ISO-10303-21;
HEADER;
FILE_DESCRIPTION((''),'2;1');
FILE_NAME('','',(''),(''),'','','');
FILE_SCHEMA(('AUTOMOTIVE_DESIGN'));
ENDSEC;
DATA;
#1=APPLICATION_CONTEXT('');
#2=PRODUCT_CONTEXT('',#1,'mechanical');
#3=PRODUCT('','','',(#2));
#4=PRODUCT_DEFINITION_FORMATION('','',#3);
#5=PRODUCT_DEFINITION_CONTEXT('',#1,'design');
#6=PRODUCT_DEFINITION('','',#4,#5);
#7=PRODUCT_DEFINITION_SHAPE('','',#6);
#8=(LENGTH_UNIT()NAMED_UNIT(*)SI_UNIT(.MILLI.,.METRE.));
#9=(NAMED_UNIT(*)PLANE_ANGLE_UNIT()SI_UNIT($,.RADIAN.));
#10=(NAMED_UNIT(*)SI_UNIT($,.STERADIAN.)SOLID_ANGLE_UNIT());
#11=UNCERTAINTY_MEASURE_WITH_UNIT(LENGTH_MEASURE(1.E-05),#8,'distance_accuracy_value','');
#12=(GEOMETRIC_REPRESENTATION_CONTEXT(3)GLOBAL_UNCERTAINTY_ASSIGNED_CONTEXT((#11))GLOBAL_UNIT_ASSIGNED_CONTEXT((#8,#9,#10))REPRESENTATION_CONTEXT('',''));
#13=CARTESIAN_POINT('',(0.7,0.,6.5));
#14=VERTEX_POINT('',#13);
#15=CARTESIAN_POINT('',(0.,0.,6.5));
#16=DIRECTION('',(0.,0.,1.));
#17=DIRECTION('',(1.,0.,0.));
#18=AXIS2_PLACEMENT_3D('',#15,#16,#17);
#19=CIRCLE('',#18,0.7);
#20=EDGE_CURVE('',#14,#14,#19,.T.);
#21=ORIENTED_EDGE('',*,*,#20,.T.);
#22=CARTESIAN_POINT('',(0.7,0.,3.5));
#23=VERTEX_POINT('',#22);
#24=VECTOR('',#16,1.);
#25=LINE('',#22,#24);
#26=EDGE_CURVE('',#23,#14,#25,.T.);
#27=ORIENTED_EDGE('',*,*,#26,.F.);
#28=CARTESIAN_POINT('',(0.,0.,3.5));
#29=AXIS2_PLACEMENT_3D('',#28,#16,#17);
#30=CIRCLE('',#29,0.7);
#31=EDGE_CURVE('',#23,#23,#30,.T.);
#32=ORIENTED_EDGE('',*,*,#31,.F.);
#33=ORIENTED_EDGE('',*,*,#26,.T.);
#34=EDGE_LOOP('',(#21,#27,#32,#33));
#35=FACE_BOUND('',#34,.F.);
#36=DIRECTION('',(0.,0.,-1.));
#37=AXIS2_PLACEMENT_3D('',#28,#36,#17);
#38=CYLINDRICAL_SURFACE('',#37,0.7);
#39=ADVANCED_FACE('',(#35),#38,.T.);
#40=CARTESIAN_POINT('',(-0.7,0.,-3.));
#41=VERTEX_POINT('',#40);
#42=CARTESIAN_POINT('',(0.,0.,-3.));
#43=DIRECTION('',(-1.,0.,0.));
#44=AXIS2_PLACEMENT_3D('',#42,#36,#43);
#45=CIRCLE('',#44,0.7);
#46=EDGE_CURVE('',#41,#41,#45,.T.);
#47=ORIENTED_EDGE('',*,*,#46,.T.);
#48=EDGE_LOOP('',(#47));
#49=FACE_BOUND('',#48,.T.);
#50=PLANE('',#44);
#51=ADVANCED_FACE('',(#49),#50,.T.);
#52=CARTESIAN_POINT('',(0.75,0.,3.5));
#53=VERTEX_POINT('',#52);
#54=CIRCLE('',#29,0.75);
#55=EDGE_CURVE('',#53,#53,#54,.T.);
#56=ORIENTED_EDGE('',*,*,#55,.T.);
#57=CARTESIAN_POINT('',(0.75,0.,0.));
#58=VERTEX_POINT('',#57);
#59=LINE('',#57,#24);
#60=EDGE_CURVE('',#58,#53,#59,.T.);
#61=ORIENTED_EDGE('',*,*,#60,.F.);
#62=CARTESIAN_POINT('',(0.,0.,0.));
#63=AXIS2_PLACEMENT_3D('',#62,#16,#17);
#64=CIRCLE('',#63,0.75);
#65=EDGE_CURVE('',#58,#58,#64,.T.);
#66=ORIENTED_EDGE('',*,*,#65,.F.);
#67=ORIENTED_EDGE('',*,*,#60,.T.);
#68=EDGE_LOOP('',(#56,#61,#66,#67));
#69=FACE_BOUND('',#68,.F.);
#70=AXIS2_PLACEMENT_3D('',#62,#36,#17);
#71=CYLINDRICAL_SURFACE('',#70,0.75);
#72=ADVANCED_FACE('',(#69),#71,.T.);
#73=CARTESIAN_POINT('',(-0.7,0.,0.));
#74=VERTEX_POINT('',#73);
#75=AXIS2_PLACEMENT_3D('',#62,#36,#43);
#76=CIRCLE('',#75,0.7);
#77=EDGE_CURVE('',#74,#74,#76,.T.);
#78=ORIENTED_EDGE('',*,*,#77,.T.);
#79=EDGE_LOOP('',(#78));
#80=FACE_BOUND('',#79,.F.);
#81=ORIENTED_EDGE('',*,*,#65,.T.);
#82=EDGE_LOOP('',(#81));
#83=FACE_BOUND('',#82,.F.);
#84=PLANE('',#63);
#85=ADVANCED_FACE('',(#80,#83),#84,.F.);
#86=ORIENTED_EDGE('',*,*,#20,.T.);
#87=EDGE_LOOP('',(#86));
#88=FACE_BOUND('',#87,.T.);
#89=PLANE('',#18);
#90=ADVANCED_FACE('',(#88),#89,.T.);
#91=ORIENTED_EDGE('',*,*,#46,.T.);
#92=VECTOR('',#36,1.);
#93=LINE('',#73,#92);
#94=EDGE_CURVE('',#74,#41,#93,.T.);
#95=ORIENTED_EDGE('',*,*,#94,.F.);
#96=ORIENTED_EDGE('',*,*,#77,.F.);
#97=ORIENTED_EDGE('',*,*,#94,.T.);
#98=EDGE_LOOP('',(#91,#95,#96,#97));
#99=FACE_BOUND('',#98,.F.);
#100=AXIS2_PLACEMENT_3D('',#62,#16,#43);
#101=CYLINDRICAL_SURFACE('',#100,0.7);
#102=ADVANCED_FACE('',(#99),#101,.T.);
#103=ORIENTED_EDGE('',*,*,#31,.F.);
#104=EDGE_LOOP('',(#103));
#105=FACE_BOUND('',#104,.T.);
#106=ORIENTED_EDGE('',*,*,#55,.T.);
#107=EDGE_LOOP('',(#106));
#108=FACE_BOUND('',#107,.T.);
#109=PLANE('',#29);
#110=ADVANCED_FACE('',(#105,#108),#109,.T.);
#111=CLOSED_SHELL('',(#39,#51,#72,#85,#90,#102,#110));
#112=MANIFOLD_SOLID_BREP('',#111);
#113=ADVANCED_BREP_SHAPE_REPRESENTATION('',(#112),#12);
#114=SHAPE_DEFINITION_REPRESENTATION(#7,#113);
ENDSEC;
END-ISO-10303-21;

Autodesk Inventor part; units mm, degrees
ref_plane "YZ Plane" through (0, 0, 0) normal (1, 0, 0) x (0, 1, 0)
ref_plane "XZ Plane" through (0, 0, 0) normal (0, 1, 0) x (-1, 0, 0)
ref_plane "XY Plane" through (0, 0, 0) normal (0, 0, 1) x (1, 0, 0)
sketch "Sketch1" plane through (0, 0, 0) normal (0, 0, 1) x (1, 0, 0)
  circle A0 centre (0, 0) radius 0.75
  dimension "d0" = 1.5
extrude "Extrusion1" add sketch "Sketch1" along normal blind 3.5
sketch "Sketch2" plane through (0, 0, 3.5) normal (0, 0, 1) x (1, 0, 0)
  circle A0 centre (0, 0) radius 0.75 projected
  circle A1 centre (0, 0) radius 0.7
  dimension "d3" = 1.4
extrude "Extrusion2" add sketch "Sketch2" along normal blind 3 contours A1
sketch "Sketch3" plane through (0, 0, 0) normal (0, 0, -1) x (-1, 0, 0)
  circle A0 centre (0, 0) radius 0.75 projected
  circle A1 centre (0, 0) radius 0.7
  dimension "d6" = 1.4
extrude "Extrusion3" add sketch "Sketch3" along normal blind 3 contours A1
thread "Thread1" size "M1.4x0.3" class "6g" standard "ANSI Metric M Profile" length 3
thread "Thread2" size "M1.4x0.3" class "6g" standard "ANSI Metric M Profile" length 3
properties part number "25 - Disc Arm 2" material "Bronze, Soft Tin"
